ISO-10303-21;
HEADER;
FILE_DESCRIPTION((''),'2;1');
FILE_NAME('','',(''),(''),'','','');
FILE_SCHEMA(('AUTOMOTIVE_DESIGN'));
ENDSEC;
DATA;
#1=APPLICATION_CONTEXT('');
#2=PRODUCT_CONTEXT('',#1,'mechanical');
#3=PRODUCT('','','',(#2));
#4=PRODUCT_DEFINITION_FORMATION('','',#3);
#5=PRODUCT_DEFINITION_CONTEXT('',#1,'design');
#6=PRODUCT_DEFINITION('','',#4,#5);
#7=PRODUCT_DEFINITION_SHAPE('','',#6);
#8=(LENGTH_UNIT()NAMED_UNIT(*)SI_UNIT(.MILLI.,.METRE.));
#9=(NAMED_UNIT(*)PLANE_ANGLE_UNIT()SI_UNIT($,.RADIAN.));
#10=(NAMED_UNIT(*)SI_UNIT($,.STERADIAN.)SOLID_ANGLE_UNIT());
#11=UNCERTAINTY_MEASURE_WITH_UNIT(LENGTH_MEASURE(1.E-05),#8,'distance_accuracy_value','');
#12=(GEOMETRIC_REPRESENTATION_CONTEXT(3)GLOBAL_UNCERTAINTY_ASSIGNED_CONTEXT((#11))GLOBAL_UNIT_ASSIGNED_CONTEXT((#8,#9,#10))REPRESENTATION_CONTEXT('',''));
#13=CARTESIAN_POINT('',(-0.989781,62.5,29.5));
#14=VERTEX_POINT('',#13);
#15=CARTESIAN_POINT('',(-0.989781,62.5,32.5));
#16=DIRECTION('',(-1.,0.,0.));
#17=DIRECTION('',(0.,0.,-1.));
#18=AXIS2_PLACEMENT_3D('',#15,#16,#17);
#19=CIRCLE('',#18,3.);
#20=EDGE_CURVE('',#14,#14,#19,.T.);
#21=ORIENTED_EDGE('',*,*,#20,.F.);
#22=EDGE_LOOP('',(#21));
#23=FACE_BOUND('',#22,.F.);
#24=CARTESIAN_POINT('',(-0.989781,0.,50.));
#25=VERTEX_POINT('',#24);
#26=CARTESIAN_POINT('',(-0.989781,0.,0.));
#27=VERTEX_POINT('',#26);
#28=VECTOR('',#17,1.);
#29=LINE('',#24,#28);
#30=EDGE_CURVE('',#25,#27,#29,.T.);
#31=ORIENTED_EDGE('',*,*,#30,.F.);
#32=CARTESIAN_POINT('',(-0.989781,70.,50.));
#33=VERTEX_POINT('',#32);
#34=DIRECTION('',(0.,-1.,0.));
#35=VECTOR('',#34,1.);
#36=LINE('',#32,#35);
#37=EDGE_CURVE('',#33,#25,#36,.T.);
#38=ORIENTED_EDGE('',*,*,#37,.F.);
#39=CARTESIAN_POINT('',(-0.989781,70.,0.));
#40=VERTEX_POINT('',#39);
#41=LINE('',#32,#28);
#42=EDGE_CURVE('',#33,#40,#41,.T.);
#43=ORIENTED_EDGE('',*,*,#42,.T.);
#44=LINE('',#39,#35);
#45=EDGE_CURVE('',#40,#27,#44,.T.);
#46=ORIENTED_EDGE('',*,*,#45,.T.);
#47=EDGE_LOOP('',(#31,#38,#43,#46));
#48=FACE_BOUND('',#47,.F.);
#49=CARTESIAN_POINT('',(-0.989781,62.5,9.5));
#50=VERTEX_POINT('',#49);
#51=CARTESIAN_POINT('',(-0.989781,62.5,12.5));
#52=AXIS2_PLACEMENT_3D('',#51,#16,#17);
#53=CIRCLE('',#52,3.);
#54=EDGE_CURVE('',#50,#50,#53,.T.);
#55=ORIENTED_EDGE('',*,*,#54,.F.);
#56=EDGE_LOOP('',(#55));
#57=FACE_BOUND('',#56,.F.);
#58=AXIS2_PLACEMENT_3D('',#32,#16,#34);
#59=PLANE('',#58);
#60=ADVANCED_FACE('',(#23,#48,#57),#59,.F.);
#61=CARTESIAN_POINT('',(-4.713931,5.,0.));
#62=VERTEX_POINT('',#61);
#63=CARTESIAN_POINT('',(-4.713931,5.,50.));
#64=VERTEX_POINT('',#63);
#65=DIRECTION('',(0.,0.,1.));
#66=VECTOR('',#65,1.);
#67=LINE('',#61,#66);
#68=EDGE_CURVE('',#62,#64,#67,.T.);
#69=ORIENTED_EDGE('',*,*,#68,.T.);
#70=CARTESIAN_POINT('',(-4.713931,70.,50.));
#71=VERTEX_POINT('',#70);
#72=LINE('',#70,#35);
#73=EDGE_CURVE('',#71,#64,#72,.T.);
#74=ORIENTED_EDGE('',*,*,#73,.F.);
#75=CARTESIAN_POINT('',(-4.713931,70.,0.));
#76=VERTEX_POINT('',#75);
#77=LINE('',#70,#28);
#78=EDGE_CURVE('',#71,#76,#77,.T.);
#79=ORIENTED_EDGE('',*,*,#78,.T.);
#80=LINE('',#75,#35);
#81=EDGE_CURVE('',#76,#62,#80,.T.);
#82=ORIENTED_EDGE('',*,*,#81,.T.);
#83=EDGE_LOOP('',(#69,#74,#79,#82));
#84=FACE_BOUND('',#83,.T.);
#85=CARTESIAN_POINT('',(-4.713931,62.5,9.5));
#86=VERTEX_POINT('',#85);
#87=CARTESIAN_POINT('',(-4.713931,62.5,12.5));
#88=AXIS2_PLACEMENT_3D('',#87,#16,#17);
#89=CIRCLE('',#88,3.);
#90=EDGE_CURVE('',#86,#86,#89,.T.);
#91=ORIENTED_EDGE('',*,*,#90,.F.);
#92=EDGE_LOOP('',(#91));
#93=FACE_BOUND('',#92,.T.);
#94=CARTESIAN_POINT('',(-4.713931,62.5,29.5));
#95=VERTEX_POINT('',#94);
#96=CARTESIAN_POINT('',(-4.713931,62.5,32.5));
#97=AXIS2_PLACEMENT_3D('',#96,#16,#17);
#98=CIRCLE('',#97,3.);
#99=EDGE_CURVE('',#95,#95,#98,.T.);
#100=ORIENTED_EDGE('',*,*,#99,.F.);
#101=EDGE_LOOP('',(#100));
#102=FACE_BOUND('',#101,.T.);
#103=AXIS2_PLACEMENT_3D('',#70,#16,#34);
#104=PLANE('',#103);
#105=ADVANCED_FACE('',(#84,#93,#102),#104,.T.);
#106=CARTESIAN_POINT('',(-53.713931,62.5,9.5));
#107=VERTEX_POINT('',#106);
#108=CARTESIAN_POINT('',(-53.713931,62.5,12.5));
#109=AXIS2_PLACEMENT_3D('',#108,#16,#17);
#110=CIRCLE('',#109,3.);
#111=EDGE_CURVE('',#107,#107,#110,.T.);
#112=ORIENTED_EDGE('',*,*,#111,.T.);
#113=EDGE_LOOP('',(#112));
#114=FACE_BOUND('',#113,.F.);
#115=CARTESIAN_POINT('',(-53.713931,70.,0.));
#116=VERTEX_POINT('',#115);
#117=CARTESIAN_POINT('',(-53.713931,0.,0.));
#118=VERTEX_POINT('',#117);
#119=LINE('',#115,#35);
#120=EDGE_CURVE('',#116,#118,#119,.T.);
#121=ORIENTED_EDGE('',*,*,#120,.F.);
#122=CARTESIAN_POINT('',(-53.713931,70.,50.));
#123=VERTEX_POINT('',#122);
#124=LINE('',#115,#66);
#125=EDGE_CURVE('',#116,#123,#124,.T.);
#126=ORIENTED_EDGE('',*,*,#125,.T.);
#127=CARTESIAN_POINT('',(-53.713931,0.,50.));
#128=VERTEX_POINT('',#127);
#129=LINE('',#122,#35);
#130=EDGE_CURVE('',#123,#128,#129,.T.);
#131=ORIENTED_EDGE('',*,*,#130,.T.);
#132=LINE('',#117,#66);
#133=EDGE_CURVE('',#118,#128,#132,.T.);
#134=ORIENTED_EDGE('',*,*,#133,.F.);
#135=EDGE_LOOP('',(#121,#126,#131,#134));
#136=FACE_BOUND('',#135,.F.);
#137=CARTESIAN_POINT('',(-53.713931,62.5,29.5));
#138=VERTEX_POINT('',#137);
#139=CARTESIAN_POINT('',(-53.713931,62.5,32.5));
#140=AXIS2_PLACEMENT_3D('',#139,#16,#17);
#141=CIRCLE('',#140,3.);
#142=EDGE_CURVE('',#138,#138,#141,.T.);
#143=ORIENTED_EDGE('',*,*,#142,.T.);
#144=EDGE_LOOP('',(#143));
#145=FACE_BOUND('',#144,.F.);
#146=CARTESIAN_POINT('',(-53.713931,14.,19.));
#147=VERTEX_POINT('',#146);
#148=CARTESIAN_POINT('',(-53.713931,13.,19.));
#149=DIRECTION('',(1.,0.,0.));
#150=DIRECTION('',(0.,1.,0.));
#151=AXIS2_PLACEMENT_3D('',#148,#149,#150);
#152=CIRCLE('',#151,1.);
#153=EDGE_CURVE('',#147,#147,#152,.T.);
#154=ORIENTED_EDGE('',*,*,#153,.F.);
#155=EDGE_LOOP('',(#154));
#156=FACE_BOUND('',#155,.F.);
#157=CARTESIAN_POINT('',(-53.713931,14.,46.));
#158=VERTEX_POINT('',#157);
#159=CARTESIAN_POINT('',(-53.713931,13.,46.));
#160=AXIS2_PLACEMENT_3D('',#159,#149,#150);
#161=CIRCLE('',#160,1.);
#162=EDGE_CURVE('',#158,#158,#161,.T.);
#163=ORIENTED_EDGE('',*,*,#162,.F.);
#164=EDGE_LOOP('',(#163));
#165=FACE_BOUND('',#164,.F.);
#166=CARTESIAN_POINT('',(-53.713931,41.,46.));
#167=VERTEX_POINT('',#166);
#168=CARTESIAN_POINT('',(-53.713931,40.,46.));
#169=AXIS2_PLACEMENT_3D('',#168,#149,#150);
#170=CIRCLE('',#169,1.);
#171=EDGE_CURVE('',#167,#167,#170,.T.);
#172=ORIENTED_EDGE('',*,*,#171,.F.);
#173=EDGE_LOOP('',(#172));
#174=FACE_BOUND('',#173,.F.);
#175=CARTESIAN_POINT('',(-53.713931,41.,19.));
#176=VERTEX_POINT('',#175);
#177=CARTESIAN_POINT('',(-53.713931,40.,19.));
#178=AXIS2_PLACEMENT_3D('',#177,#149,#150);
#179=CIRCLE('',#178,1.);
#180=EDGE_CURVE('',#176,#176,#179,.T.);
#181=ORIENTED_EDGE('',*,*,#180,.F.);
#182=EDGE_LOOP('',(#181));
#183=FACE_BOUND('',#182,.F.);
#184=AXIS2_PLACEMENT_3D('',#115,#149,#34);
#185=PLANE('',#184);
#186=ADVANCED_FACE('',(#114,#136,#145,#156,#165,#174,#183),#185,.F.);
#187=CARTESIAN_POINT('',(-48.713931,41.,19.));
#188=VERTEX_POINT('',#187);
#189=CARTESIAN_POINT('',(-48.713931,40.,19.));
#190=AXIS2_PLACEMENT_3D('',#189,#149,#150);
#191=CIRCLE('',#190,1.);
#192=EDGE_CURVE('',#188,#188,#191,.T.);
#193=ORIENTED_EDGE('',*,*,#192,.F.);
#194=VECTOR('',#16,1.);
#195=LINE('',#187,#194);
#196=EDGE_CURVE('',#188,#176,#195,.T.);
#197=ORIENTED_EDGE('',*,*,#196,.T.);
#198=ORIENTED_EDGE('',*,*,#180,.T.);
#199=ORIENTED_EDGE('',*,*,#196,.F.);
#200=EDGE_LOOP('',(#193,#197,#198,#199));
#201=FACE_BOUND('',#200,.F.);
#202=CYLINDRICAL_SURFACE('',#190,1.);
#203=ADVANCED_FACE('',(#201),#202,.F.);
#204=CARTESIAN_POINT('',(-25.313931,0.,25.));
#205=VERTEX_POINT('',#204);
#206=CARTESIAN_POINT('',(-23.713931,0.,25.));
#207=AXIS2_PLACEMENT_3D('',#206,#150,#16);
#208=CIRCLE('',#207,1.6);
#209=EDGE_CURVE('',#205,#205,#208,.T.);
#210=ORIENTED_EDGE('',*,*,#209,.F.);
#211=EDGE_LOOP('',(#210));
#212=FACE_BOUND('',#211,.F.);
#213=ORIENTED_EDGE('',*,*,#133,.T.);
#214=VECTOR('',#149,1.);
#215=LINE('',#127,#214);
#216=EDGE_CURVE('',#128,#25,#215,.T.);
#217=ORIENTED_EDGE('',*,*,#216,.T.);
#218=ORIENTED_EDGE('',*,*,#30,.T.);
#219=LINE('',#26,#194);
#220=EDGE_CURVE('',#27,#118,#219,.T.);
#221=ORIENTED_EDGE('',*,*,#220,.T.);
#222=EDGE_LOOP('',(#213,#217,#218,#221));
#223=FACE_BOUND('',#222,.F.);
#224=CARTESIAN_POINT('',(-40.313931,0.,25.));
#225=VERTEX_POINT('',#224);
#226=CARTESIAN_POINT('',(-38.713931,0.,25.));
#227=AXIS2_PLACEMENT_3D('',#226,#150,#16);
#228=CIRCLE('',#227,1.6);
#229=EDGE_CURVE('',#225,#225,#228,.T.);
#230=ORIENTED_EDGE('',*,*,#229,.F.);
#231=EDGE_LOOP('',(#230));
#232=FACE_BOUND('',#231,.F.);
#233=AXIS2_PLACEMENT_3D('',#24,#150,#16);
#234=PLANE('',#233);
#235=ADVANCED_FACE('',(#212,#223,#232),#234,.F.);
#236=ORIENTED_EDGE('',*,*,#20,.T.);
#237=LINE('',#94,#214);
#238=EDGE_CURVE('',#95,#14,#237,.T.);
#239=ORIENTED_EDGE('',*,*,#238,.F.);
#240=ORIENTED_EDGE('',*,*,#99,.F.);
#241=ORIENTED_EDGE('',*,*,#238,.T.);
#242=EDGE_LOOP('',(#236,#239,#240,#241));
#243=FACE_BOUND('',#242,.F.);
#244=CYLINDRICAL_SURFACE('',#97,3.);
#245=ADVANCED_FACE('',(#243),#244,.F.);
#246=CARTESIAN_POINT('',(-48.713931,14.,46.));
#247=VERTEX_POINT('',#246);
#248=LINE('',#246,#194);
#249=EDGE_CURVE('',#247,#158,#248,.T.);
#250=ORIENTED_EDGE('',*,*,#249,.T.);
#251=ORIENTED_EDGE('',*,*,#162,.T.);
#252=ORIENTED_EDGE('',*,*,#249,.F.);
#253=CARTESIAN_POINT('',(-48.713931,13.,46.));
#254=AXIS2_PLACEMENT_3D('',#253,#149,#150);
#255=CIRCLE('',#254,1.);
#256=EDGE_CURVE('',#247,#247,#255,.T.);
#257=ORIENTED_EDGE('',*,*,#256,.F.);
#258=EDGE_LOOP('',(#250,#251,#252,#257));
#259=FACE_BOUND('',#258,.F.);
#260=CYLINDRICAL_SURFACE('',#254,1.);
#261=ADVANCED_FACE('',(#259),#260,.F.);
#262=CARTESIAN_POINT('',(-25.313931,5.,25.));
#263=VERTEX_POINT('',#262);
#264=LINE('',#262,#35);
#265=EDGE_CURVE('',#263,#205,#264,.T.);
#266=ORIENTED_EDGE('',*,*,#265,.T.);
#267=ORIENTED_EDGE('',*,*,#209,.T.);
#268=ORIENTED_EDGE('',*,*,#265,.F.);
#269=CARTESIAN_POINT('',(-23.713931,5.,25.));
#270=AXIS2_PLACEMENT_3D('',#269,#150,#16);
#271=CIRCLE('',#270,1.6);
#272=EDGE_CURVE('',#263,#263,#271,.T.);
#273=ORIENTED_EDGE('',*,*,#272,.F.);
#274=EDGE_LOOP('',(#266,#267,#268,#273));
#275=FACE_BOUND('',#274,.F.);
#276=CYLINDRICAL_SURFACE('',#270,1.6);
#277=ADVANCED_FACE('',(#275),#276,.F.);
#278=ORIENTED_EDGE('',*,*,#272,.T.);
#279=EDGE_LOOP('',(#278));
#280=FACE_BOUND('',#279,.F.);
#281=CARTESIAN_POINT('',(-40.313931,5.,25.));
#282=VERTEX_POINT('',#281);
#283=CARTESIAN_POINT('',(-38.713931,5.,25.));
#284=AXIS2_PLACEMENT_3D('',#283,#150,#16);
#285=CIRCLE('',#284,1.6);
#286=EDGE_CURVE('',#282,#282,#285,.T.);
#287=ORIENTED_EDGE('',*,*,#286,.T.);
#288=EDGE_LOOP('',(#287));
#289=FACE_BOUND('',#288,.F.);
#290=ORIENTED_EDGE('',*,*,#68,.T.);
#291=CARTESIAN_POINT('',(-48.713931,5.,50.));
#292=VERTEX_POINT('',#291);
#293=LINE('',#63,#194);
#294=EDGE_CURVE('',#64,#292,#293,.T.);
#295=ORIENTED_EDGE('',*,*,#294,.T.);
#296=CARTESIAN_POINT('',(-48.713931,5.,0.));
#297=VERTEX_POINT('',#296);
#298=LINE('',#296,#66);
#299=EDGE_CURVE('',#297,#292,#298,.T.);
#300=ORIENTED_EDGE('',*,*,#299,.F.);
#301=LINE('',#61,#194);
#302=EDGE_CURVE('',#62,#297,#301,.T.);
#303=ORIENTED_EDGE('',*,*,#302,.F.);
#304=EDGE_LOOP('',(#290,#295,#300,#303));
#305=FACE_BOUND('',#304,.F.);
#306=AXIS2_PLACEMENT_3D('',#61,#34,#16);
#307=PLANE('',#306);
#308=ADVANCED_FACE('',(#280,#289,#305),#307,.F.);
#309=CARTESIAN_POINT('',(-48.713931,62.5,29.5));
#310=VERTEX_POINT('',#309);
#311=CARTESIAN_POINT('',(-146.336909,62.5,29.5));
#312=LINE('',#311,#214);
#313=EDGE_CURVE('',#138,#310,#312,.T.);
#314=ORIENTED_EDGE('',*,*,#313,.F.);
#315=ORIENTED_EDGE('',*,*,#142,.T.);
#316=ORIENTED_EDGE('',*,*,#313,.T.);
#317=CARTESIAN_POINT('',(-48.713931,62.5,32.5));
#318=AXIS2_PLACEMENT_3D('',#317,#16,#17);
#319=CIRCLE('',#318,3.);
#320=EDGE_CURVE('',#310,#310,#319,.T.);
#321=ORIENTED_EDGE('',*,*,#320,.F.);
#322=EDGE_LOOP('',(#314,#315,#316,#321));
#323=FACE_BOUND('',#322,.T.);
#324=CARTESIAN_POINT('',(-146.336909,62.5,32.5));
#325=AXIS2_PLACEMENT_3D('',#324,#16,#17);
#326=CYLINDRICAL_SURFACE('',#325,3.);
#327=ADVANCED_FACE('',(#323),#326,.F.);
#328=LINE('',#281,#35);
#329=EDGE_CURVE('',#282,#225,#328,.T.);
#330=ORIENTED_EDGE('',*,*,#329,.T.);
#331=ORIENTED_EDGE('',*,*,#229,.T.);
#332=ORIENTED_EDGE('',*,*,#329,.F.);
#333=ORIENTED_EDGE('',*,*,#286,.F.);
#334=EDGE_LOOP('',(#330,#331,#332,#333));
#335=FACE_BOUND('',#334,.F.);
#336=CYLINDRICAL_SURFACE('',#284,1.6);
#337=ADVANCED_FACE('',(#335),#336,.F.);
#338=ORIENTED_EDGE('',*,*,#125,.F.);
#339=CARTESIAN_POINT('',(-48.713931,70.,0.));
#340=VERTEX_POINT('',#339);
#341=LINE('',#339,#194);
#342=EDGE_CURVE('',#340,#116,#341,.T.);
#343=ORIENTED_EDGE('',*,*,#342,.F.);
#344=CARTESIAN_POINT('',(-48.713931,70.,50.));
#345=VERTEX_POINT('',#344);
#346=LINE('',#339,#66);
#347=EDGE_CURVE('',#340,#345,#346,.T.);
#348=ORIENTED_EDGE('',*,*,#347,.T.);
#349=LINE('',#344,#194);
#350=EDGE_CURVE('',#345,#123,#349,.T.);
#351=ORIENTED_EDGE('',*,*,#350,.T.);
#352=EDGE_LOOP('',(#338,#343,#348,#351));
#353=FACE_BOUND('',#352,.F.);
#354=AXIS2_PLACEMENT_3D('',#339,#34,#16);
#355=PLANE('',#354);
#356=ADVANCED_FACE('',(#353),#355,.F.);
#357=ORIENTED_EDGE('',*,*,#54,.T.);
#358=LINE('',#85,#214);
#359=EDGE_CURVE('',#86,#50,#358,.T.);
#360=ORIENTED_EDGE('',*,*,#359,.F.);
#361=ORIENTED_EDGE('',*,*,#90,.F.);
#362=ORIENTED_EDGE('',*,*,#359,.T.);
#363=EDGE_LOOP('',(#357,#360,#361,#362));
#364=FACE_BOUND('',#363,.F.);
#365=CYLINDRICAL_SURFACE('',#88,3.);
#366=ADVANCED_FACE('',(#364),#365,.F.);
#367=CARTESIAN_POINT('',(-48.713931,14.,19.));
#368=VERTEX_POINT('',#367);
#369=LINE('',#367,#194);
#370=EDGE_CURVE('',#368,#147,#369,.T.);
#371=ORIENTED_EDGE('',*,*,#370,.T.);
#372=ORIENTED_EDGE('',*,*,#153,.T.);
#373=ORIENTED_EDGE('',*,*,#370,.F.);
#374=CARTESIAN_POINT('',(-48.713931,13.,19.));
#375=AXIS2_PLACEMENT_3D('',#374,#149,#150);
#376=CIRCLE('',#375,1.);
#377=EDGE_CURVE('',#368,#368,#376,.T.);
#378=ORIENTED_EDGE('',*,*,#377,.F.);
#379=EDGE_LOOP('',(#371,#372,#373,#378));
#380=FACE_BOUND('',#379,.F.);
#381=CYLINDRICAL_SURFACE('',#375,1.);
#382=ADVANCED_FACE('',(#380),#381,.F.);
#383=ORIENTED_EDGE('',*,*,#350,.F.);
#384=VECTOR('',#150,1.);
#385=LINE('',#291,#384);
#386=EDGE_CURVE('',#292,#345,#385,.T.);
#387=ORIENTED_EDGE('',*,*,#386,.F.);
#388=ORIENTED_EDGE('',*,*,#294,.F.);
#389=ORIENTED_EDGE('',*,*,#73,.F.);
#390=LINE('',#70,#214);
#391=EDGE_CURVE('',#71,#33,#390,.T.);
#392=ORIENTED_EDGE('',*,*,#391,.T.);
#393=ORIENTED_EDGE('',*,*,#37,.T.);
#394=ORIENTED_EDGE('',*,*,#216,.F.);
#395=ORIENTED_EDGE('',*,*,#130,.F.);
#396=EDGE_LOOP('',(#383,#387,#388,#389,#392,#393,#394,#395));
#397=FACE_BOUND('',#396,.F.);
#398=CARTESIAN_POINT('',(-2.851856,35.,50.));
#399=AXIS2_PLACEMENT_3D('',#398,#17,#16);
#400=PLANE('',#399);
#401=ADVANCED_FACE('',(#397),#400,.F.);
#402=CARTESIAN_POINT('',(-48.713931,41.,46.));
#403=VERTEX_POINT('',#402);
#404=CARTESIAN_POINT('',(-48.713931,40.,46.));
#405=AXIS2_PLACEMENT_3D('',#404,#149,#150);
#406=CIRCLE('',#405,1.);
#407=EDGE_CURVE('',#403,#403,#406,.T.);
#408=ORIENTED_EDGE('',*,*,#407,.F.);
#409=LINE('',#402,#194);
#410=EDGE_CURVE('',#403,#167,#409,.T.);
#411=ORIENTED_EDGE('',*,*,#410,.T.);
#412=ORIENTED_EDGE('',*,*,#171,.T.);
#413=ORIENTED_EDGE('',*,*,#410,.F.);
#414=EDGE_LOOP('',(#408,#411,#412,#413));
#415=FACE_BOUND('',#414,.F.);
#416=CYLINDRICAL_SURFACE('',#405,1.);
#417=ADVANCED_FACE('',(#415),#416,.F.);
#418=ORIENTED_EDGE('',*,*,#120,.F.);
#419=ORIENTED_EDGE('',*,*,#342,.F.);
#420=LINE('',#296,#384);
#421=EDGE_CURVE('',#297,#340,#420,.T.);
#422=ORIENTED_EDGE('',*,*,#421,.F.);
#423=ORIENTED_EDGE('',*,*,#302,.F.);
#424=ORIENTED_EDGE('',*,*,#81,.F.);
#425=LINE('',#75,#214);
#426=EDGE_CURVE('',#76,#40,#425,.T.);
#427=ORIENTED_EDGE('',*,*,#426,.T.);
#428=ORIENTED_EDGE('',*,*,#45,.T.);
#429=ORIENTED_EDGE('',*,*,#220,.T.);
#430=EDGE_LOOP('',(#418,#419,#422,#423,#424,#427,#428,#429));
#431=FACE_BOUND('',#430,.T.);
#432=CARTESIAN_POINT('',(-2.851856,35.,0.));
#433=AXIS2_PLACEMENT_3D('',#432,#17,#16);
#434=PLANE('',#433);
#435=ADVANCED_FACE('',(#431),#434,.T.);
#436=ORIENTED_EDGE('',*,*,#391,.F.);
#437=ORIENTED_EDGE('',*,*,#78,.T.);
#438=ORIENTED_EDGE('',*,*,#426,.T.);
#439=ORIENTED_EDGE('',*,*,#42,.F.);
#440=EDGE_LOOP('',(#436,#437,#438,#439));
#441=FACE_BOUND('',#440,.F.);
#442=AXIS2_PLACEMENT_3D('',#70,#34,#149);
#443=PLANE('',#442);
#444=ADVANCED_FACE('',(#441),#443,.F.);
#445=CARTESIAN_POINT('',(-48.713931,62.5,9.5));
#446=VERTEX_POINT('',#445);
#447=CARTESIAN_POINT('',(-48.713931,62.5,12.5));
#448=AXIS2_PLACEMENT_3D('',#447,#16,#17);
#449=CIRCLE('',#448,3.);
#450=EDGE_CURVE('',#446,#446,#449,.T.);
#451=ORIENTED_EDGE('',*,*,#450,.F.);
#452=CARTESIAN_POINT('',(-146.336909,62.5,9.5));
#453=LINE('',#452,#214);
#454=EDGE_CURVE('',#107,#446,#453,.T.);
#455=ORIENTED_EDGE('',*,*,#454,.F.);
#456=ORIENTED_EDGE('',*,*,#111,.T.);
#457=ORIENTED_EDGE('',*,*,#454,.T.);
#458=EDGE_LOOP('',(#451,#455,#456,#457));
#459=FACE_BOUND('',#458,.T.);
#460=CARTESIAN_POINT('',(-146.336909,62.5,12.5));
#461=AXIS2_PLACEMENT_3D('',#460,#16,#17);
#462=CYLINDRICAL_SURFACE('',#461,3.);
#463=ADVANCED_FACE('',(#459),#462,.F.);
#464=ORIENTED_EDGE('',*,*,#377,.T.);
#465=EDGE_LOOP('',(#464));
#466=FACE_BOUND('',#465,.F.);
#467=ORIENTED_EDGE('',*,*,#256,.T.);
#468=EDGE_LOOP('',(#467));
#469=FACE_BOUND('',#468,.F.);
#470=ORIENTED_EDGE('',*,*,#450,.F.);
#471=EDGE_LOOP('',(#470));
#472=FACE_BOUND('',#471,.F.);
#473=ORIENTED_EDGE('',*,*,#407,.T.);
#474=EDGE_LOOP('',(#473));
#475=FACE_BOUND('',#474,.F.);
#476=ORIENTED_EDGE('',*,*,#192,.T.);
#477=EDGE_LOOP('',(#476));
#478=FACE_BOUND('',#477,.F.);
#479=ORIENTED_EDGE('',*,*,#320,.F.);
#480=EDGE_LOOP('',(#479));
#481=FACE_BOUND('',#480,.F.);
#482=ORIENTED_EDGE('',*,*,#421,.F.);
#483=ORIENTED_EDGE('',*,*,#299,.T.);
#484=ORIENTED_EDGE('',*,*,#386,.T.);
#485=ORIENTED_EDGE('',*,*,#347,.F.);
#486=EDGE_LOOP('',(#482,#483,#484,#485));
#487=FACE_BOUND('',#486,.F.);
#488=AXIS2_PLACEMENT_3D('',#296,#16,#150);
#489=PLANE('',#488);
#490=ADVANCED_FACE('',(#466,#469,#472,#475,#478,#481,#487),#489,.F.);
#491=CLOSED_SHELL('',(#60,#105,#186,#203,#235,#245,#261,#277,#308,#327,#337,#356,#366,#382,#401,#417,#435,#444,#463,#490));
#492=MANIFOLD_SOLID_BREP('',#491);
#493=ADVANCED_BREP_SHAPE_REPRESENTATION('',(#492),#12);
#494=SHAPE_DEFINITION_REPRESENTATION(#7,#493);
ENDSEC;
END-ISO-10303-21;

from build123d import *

# Parameters (mm, degrees)
EXTRUDE_1_DEPTH          = 50
SKETCH_2_R               = 1
CUT_EXTRUDE_1_DEPTH      = 97.622978633
SKETCH_3_R               = 1.6
CUT_EXTRUDE_2_DEPTH      = 99.031557982
CUT_EXTRUDE_3_DEPTH      = 97.622978633
CUT_EXTRUDE_3_DEPTH_BACK = 97.622978633
SKETCH_4_R               = 3
EXTRUDE_2_DEPTH          = 50
SKETCH_6_R               = 3
CUT_EXTRUDE_4_DEPTH      = 100


with BuildPart() as part:
    # ｽｹｯﾁ1 → ﾎﾞｽ - 押し出し1 (new body)
    with BuildSketch(Plane.XY):
        Polygon((-53.713930785, 70), (-53.713930785, 0), (-4.713930785, 0), (-4.713930785, 5), (-48.713930785, 5), (-48.713930785, 70), align=None)
    extrude(amount=EXTRUDE_1_DEPTH)

    # ｽｹｯﾁ2 → ｶｯﾄ - 押し出し1 (cut, through all)
    with BuildSketch(Plane(origin=(-48.713930785, 0, 0), x_dir=(0, 0, -1), z_dir=(1, 0, 0))):
        with Locations(Location((-46, 40, 0), (0, 0, 90))):
            Circle(SKETCH_2_R)
        with Locations(Location((-19, 40, 0), (0, 0, 90))):
            Circle(SKETCH_2_R)
        with Locations(Location((-19, 13, 0), (0, 0, 90))):
            Circle(SKETCH_2_R)
        with Locations(Location((-46, 13, 0), (0, 0, 90))):
            Circle(SKETCH_2_R)
    extrude(amount=-CUT_EXTRUDE_1_DEPTH, mode=Mode.SUBTRACT)

    # ｽｹｯﾁ3 → ｶｯﾄ - 押し出し2 (cut, through all)
    with BuildSketch(Plane(origin=(0, 5, 0), x_dir=(1, 0, 0), z_dir=(0, 1, 0))):
        with Locations(Location((-38.713930785, -25, 0), (0, 0, 180))):
            Circle(SKETCH_3_R)
        with Locations(Location((-23.713930785, -25, 0), (0, 0, 180))):
            Circle(SKETCH_3_R)
    extrude(amount=-CUT_EXTRUDE_2_DEPTH, mode=Mode.SUBTRACT)

    # ｽｹｯﾁ4 → ｶｯﾄ - 押し出し3 (cut, two sides: drawn at the far end of the back side and taken through both)
    with BuildSketch(Plane(origin=(-48.713930785, 0, 0), x_dir=(0, 0, -1), z_dir=(1, 0, 0)).offset(-CUT_EXTRUDE_3_DEPTH_BACK)):
        with Locations((-32.5, 62.5)):
            Circle(SKETCH_4_R)
        with Locations((-12.5, 62.5)):
            Circle(SKETCH_4_R)
    extrude(amount=CUT_EXTRUDE_3_DEPTH + CUT_EXTRUDE_3_DEPTH_BACK, mode=Mode.SUBTRACT)

    # ｽｹｯﾁ5 → ﾎﾞｽ - 押し出し2 (add)
    with BuildSketch(Plane.XY.offset(50)):
        Polygon((-4.713930785, 5), (-4.713930785, 70), (-0.989780717, 70), (-0.989780717, 0), (-4.713930785, 0), align=None)
    extrude(amount=-EXTRUDE_2_DEPTH)

    # ｽｹｯﾁ6 → ｶｯﾄ - 押し出し4 (cut, through all)
    with BuildSketch(Plane.ZY.offset(4.713930785)):
        with Locations(Location((12.5, 62.5, 0), (0, 0, 180))):
            Circle(SKETCH_6_R)
        with Locations(Location((32.5, 62.5, 0), (0, 0, 180))):
            Circle(SKETCH_6_R)
    extrude(amount=-CUT_EXTRUDE_4_DEPTH, mode=Mode.SUBTRACT)


solid = part.part
